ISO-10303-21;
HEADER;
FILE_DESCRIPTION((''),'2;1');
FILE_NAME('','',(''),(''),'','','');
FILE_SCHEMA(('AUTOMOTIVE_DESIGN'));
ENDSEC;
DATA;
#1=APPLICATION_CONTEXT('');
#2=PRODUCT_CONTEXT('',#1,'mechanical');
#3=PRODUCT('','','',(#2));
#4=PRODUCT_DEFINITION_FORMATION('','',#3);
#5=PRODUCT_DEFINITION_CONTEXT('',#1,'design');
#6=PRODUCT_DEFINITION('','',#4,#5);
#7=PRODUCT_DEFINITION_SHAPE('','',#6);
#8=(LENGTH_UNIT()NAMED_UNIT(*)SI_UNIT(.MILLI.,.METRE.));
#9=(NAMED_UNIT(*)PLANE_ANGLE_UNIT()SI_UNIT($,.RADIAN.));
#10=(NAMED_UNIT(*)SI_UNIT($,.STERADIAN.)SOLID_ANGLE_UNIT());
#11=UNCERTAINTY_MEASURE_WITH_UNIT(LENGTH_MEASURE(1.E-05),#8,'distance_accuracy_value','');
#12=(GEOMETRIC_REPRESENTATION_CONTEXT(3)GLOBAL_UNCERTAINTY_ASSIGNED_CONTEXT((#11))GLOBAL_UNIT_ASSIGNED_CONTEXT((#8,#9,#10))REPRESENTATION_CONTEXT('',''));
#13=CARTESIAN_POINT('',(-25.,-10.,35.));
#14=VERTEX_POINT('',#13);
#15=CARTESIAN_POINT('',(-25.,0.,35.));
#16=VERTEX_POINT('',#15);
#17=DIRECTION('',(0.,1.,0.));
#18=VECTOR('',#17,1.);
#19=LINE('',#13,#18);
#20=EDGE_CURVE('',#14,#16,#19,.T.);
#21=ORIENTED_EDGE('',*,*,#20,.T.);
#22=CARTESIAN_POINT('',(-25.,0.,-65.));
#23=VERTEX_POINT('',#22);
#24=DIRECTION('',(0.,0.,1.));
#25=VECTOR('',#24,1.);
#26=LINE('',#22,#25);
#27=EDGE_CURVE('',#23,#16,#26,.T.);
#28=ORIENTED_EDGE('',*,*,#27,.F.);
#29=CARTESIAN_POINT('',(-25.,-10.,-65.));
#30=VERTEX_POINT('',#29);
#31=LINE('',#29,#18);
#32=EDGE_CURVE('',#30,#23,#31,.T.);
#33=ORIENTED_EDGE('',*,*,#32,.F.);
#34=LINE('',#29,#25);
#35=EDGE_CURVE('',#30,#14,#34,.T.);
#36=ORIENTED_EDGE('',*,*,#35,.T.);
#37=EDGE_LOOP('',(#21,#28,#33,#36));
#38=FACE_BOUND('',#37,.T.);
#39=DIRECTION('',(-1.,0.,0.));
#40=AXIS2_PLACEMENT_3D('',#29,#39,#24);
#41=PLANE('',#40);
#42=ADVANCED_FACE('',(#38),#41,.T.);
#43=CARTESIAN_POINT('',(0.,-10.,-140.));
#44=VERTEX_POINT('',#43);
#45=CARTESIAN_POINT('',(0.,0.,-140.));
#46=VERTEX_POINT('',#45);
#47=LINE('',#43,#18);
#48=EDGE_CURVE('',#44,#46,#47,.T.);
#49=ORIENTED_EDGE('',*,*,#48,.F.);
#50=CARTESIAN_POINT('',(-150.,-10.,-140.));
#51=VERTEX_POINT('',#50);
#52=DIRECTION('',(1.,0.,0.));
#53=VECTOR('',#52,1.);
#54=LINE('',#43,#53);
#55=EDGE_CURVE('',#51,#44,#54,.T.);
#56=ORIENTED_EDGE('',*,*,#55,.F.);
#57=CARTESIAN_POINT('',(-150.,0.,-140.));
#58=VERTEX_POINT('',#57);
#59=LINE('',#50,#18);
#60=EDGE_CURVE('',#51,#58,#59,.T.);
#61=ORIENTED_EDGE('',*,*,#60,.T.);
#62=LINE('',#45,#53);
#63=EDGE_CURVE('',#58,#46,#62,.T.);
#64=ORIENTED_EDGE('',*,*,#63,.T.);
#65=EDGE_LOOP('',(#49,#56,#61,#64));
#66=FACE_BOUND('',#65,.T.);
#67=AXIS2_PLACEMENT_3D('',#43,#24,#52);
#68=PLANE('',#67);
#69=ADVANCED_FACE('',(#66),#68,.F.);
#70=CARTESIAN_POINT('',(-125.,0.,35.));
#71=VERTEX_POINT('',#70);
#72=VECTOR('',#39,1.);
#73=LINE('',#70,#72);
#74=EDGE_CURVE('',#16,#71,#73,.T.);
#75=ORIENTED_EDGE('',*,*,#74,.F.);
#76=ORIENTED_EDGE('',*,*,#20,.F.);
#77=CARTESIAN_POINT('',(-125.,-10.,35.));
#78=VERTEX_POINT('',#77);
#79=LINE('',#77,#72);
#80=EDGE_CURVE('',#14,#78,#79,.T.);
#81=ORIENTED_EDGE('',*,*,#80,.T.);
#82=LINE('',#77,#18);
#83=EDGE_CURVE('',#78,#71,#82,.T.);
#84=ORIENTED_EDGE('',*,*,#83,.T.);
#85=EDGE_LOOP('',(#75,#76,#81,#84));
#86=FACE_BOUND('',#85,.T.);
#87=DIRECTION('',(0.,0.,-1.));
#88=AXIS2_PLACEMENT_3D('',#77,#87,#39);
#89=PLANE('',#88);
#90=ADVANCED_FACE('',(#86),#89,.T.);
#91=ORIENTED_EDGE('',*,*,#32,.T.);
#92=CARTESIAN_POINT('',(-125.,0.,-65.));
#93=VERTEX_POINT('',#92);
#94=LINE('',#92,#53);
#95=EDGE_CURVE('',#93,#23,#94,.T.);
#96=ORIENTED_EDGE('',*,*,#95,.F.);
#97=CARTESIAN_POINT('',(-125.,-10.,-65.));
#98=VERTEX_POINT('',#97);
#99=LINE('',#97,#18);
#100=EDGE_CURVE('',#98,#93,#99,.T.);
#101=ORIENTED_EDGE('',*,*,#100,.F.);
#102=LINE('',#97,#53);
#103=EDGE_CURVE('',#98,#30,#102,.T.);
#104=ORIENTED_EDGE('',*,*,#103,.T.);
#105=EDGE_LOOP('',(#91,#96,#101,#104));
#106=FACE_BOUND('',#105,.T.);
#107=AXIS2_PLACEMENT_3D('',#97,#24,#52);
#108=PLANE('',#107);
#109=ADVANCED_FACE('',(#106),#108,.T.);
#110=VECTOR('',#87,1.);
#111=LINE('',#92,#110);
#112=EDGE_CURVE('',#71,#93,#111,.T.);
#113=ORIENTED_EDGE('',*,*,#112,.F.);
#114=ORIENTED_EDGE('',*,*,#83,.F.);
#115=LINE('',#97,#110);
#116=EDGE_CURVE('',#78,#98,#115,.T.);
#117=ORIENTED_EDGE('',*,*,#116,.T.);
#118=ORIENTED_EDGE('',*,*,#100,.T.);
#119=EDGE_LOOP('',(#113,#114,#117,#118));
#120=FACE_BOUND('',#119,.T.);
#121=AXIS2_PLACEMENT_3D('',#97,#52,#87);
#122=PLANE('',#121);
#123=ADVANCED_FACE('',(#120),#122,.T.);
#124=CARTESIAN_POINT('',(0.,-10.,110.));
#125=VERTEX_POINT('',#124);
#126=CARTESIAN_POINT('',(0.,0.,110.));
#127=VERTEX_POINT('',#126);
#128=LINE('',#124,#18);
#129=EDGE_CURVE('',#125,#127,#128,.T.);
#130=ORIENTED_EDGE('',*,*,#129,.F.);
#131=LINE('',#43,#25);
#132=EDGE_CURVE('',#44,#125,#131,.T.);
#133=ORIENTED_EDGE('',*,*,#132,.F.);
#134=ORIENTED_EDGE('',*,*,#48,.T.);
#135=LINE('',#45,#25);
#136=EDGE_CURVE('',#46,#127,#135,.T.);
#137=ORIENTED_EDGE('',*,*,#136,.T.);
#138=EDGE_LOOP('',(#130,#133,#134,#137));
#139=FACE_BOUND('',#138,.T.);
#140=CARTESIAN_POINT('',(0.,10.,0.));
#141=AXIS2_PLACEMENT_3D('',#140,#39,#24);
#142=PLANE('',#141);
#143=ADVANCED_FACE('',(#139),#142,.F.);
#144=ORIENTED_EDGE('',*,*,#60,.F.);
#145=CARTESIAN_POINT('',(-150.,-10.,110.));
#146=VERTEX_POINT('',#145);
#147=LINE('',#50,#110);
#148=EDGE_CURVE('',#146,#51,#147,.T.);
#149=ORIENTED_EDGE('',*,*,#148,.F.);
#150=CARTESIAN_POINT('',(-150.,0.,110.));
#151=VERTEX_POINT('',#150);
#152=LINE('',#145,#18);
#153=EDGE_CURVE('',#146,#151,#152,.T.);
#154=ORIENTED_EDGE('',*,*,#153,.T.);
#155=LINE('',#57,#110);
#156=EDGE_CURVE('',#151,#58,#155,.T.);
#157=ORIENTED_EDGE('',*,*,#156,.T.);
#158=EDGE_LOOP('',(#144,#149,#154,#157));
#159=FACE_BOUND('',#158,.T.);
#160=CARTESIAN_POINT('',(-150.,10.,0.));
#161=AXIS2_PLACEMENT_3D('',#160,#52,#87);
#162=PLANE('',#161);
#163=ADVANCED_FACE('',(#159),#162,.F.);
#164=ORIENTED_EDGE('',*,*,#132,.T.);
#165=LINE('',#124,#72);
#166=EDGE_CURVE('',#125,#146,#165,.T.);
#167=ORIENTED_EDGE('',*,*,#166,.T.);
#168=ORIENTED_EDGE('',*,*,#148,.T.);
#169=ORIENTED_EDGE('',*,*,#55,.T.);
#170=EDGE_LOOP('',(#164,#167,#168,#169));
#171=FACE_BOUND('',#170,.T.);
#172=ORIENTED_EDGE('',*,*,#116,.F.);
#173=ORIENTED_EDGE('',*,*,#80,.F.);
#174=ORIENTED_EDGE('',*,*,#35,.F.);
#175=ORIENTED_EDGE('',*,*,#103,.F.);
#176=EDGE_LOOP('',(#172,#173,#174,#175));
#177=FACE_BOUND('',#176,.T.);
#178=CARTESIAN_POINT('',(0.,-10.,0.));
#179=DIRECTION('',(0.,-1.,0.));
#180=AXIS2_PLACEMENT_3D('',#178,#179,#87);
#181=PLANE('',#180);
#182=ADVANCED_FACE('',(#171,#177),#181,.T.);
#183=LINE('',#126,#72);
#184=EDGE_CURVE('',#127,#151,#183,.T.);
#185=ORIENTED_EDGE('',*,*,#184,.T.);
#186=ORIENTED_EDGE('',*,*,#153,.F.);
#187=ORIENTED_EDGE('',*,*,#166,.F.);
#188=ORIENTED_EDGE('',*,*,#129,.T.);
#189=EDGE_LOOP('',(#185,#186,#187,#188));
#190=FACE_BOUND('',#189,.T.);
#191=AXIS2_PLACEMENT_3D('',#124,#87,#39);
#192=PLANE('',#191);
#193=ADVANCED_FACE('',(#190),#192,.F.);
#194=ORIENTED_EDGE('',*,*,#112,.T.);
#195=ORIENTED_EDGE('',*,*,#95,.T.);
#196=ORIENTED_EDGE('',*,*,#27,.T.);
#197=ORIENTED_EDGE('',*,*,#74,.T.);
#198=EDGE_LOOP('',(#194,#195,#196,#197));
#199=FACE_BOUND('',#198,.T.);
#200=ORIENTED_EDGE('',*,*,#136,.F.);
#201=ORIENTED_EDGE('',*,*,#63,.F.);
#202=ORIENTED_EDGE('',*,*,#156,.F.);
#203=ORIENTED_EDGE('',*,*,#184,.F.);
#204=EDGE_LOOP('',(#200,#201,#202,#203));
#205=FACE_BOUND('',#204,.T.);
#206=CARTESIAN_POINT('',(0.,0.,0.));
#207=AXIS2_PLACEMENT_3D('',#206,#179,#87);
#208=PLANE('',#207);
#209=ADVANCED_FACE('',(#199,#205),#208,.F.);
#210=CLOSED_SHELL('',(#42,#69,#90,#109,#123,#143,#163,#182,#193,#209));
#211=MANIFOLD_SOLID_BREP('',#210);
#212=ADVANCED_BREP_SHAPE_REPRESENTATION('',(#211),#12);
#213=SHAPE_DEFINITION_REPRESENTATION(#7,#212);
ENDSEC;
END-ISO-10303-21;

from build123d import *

# Parameters (mm, degrees)
SKETCH1_W           = 150
SKETCH1_H           = 30
BOSS_EXTRUDE1_DEPTH = 10
SKETCH9_W           = 150
SKETCH9_H           = 250
SKETCH9_W_2         = 100
SKETCH9_H_2         = 100
BOSS_EXTRUDE3_DEPTH = 10
SKETCH25_W          = 150
SKETCH25_H          = 30
CUT_EXTRUDE2_DEPTH  = 10


with BuildPart() as part:
    # Sketch1 → Boss-Extrude1 (new body)
    with BuildSketch(Plane(origin=(0, 0, 0), x_dir=(1, 0, 0), z_dir=(0, 1, 0))):
        with Locations((-75, 15)):
            Rectangle(SKETCH1_W, SKETCH1_H)
    extrude(amount=BOSS_EXTRUDE1_DEPTH)

    # Sketch9 → Boss-Extrude3 (add)
    with BuildSketch(Plane.XZ):
        with Locations((-75, -15)):
            Rectangle(SKETCH9_W, SKETCH9_H)
        with Locations((-75, -15)):
            Rectangle(SKETCH9_W_2, SKETCH9_H_2, mode=Mode.SUBTRACT)
    extrude(amount=BOSS_EXTRUDE3_DEPTH)

    # Sketch25 → Cut-Extrude2 (cut)
    with BuildSketch(Plane(origin=(0, 0, 0), x_dir=(1, 0, 0), z_dir=(0, 1, 0))):
        with Locations((-75, 15)):
            Rectangle(SKETCH25_W, SKETCH25_H)
    extrude(amount=CUT_EXTRUDE2_DEPTH, mode=Mode.SUBTRACT)


solid = part.part
